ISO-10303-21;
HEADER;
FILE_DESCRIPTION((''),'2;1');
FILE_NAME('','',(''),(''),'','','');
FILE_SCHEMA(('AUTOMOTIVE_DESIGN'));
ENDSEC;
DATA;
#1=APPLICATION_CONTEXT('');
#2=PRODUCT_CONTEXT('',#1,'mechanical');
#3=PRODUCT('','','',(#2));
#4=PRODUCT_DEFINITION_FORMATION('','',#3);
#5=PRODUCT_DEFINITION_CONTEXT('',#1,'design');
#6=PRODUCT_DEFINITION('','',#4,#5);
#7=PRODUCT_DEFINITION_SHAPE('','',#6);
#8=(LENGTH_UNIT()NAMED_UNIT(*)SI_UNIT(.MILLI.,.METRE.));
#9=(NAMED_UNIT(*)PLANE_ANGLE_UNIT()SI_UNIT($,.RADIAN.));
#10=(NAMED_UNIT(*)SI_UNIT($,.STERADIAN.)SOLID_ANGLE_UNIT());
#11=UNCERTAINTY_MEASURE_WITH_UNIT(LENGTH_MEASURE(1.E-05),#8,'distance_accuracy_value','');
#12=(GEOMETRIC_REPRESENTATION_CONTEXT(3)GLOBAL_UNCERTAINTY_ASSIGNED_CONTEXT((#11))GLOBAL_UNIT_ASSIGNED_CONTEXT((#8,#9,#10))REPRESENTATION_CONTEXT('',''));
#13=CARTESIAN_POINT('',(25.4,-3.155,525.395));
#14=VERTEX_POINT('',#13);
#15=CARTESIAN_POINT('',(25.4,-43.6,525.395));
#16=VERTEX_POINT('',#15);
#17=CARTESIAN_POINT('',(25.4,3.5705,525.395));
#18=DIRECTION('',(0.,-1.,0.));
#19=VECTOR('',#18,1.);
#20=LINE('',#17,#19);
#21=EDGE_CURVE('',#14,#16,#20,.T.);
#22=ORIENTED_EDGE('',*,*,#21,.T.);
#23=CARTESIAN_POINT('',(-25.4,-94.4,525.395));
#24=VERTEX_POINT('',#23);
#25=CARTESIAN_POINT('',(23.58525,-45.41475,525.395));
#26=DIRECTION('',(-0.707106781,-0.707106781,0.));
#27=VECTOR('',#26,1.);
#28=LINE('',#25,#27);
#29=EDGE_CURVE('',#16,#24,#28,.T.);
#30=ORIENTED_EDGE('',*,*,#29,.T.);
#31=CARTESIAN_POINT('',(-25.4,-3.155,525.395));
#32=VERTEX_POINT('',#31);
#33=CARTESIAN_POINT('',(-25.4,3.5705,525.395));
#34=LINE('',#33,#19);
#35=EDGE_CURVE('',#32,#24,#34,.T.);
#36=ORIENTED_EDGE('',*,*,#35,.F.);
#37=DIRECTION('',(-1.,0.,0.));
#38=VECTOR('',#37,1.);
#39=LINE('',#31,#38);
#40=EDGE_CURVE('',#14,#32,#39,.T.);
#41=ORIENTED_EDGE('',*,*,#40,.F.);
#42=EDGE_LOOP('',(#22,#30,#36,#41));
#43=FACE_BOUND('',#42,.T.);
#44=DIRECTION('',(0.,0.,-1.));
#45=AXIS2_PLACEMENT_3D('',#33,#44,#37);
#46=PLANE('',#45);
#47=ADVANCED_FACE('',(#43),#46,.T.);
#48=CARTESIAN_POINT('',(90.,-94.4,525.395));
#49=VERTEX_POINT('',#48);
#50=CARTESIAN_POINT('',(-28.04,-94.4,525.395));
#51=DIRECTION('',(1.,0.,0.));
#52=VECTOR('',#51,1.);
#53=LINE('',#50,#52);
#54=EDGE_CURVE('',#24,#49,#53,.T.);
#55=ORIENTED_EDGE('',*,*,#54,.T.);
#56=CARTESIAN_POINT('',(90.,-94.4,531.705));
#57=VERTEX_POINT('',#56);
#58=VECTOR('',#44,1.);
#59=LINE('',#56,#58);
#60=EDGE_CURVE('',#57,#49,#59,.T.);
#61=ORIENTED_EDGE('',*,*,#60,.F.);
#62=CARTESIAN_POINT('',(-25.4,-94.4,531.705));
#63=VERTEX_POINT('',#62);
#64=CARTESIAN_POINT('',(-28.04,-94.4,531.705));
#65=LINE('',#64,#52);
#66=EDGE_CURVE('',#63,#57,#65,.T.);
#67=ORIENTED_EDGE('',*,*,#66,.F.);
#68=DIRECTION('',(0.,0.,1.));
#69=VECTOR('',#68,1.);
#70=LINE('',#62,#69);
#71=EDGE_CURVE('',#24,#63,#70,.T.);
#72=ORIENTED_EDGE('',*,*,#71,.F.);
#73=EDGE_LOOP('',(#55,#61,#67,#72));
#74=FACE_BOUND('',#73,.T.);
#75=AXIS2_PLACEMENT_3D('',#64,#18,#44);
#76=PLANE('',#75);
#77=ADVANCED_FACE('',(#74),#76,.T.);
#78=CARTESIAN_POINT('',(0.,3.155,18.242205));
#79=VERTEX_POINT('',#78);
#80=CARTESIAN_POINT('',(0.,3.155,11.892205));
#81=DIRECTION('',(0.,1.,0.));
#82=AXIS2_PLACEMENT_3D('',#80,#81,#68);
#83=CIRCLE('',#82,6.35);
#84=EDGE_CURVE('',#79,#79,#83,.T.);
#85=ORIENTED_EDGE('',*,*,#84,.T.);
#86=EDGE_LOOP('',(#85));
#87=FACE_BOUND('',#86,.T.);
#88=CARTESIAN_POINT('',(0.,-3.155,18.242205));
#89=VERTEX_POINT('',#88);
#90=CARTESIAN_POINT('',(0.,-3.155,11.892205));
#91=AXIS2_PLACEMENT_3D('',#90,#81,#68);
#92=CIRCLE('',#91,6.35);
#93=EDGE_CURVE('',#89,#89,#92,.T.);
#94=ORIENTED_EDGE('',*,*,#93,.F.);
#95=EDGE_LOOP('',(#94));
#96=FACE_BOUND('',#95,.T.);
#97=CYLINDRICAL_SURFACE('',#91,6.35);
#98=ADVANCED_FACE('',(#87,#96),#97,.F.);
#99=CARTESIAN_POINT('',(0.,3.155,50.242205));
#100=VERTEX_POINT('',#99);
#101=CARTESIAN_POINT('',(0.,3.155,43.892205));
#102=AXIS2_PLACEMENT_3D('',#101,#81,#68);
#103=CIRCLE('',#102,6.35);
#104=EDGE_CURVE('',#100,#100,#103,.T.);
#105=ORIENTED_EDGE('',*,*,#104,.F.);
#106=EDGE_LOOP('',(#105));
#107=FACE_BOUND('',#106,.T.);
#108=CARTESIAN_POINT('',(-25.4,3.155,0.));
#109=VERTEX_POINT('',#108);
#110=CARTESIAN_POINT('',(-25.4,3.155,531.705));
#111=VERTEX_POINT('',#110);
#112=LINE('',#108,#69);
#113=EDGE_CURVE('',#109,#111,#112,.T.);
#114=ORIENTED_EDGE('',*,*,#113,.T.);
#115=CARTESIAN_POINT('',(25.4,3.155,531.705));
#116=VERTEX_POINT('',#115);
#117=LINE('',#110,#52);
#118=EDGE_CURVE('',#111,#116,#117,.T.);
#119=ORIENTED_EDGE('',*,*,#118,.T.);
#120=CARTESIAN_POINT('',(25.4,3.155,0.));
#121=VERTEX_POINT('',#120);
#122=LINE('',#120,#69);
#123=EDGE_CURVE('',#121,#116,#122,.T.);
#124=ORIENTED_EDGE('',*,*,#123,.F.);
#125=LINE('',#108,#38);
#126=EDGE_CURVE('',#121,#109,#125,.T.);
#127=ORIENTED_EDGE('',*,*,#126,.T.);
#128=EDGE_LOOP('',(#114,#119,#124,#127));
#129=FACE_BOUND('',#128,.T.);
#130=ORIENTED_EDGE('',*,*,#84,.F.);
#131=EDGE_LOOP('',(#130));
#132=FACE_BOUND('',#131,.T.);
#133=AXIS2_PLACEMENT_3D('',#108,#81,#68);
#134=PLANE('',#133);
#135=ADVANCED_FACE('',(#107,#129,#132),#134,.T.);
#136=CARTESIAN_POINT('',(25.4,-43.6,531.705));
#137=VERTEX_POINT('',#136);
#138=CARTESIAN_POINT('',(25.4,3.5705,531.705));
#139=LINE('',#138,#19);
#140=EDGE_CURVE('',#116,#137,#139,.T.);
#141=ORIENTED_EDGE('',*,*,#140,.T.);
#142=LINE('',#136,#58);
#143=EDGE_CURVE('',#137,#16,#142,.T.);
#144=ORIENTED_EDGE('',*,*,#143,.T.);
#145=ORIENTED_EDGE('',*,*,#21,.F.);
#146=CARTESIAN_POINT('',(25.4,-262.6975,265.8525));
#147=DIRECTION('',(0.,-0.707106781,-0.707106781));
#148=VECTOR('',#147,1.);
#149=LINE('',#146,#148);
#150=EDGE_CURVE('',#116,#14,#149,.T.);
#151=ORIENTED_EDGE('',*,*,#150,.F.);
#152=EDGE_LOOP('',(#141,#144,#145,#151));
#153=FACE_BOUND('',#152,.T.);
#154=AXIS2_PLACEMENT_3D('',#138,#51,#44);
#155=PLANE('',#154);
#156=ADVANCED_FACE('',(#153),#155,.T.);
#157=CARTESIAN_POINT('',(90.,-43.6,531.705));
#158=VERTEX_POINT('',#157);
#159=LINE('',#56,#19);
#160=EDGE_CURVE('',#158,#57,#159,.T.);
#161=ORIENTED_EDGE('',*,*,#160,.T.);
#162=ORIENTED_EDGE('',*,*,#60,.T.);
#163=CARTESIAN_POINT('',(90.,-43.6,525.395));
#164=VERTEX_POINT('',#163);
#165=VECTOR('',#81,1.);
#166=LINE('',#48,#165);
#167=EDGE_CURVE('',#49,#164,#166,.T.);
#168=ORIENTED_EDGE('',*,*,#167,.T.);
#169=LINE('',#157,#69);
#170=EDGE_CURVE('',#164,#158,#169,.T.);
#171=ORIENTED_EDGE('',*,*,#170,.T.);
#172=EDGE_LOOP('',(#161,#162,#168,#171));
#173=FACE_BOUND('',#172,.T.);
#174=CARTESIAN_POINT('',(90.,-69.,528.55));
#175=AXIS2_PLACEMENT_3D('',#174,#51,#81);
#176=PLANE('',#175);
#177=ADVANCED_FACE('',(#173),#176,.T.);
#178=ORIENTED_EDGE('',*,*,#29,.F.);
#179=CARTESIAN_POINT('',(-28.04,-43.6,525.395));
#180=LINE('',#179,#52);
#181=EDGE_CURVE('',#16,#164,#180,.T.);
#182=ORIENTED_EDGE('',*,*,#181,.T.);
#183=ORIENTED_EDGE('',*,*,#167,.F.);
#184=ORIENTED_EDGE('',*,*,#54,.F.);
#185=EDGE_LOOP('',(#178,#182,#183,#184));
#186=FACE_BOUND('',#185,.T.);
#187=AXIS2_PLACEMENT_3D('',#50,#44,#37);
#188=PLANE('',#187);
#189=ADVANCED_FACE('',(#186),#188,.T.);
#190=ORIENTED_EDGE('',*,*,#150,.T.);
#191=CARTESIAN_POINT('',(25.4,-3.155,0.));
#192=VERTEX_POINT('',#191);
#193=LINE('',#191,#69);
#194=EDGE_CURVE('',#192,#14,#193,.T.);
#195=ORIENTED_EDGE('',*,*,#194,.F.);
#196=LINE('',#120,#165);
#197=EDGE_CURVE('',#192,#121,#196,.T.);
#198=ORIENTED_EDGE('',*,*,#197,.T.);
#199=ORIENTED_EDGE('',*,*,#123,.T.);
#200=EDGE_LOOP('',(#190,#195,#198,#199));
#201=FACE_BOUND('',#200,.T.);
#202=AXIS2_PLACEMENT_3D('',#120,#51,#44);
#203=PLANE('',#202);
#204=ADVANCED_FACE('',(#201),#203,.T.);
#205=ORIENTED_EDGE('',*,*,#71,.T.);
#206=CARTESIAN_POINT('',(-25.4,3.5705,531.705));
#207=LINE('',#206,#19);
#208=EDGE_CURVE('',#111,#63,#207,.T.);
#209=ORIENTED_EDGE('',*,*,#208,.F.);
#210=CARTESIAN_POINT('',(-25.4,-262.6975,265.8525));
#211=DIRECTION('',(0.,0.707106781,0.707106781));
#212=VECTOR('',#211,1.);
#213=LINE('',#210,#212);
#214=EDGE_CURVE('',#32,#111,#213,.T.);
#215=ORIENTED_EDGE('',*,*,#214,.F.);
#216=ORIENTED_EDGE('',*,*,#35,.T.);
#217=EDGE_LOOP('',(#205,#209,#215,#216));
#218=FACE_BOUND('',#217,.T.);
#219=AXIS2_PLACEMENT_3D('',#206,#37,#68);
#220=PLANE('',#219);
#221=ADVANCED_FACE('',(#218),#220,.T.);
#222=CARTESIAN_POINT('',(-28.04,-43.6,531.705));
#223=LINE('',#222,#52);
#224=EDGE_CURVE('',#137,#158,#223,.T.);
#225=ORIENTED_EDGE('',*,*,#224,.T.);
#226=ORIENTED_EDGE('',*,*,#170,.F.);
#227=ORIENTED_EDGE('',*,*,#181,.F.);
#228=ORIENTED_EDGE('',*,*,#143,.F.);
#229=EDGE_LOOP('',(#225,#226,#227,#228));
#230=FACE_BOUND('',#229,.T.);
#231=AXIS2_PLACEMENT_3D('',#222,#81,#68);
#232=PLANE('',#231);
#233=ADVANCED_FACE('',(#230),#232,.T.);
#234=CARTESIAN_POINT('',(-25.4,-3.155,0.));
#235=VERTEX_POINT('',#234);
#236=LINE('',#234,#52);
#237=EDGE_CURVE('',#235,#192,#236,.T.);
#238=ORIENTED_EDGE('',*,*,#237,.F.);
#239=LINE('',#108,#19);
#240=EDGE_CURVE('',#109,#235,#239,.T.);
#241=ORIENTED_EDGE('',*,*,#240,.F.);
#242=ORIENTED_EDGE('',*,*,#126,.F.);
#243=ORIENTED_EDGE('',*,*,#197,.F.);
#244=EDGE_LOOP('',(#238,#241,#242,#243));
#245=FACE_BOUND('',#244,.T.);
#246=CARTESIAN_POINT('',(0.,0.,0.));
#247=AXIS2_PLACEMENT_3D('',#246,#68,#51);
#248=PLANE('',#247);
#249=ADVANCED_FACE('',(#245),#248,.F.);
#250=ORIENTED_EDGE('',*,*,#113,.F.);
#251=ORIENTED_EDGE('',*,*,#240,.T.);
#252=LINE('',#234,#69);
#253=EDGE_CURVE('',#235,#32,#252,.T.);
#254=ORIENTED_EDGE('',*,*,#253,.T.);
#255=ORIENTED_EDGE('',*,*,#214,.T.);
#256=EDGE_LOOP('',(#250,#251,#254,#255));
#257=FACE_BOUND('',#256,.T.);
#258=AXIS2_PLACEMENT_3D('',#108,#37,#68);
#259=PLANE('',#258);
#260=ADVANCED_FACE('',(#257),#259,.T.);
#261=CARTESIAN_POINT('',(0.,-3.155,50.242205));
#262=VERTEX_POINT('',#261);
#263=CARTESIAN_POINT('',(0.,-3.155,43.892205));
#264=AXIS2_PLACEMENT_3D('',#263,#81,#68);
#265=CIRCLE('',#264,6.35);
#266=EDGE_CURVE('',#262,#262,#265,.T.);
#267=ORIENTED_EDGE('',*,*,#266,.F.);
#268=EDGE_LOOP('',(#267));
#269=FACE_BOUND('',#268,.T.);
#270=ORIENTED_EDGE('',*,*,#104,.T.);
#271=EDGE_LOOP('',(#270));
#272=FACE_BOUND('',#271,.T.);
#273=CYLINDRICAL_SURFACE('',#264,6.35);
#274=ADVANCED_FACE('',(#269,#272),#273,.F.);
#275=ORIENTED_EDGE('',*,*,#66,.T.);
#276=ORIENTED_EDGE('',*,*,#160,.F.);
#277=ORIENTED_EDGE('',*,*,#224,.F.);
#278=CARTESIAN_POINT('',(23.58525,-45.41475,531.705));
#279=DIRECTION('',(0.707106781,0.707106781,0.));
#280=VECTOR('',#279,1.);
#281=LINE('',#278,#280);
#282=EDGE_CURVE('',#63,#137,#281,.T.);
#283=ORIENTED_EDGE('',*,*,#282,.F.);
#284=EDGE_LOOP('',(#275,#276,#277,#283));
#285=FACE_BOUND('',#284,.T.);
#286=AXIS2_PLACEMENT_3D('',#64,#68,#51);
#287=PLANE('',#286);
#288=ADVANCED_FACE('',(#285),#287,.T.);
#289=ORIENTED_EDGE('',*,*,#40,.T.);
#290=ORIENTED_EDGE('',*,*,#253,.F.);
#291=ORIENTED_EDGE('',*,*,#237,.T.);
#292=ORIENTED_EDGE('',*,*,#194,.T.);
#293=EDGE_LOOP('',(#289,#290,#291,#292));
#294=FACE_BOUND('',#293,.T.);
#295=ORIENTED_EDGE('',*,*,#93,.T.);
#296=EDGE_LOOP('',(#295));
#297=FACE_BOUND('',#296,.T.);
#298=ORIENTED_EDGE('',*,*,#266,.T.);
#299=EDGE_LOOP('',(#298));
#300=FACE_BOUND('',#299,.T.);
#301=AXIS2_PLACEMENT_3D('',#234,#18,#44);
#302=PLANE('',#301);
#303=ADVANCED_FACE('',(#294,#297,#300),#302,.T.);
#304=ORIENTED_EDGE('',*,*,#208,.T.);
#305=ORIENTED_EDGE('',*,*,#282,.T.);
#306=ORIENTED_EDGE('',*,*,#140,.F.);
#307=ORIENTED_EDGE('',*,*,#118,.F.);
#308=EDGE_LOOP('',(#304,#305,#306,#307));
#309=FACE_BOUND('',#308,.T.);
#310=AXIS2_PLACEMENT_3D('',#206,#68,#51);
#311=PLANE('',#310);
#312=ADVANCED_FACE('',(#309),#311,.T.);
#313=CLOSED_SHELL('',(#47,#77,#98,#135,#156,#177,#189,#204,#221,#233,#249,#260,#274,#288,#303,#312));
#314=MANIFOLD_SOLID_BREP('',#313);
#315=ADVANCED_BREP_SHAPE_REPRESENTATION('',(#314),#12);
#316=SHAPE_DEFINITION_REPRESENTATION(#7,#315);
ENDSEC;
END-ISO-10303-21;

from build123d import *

# Parameters (mm, degrees)
CROQUIS1_W            = 50.8
CROQUIS1_H            = 6.31
CROQUIS2_R            = 6.35
CORTAR_EXTRUIR1_DEPTH = 6.31


with BuildPart() as part:
    # Barrer1: sweep along a curve in space
    with BuildLine() as barrer1_path:
        Line((0, 0, 0), (0, 0, 528.55))
        Line((0, 0, 528.55), (0, -69, 528.55))
        Line((0, -69, 528.55), (90, -69, 528.55))
    # Croquis1 → Barrer1 (sweep)
    with BuildSketch(Plane.XY):
        Rectangle(CROQUIS1_W, CROQUIS1_H)
    sweep(path=barrer1_path.line, transition=Transition.RIGHT)

    # Croquis2 → Cortar-Extruir1 (cut)
    with BuildSketch(Plane(origin=(0, 3.155, 0), x_dir=(1, 0, 0), z_dir=(0, 1, 0))):
        with Locations(Location((0, -43.892204666, 0), (0, 0, 270))):
            Circle(CROQUIS2_R)
        with Locations(Location((0, -11.892204666, 0), (0, 0, 270))):
            Circle(CROQUIS2_R)
    extrude(amount=-CORTAR_EXTRUIR1_DEPTH, mode=Mode.SUBTRACT)


solid = part.part
